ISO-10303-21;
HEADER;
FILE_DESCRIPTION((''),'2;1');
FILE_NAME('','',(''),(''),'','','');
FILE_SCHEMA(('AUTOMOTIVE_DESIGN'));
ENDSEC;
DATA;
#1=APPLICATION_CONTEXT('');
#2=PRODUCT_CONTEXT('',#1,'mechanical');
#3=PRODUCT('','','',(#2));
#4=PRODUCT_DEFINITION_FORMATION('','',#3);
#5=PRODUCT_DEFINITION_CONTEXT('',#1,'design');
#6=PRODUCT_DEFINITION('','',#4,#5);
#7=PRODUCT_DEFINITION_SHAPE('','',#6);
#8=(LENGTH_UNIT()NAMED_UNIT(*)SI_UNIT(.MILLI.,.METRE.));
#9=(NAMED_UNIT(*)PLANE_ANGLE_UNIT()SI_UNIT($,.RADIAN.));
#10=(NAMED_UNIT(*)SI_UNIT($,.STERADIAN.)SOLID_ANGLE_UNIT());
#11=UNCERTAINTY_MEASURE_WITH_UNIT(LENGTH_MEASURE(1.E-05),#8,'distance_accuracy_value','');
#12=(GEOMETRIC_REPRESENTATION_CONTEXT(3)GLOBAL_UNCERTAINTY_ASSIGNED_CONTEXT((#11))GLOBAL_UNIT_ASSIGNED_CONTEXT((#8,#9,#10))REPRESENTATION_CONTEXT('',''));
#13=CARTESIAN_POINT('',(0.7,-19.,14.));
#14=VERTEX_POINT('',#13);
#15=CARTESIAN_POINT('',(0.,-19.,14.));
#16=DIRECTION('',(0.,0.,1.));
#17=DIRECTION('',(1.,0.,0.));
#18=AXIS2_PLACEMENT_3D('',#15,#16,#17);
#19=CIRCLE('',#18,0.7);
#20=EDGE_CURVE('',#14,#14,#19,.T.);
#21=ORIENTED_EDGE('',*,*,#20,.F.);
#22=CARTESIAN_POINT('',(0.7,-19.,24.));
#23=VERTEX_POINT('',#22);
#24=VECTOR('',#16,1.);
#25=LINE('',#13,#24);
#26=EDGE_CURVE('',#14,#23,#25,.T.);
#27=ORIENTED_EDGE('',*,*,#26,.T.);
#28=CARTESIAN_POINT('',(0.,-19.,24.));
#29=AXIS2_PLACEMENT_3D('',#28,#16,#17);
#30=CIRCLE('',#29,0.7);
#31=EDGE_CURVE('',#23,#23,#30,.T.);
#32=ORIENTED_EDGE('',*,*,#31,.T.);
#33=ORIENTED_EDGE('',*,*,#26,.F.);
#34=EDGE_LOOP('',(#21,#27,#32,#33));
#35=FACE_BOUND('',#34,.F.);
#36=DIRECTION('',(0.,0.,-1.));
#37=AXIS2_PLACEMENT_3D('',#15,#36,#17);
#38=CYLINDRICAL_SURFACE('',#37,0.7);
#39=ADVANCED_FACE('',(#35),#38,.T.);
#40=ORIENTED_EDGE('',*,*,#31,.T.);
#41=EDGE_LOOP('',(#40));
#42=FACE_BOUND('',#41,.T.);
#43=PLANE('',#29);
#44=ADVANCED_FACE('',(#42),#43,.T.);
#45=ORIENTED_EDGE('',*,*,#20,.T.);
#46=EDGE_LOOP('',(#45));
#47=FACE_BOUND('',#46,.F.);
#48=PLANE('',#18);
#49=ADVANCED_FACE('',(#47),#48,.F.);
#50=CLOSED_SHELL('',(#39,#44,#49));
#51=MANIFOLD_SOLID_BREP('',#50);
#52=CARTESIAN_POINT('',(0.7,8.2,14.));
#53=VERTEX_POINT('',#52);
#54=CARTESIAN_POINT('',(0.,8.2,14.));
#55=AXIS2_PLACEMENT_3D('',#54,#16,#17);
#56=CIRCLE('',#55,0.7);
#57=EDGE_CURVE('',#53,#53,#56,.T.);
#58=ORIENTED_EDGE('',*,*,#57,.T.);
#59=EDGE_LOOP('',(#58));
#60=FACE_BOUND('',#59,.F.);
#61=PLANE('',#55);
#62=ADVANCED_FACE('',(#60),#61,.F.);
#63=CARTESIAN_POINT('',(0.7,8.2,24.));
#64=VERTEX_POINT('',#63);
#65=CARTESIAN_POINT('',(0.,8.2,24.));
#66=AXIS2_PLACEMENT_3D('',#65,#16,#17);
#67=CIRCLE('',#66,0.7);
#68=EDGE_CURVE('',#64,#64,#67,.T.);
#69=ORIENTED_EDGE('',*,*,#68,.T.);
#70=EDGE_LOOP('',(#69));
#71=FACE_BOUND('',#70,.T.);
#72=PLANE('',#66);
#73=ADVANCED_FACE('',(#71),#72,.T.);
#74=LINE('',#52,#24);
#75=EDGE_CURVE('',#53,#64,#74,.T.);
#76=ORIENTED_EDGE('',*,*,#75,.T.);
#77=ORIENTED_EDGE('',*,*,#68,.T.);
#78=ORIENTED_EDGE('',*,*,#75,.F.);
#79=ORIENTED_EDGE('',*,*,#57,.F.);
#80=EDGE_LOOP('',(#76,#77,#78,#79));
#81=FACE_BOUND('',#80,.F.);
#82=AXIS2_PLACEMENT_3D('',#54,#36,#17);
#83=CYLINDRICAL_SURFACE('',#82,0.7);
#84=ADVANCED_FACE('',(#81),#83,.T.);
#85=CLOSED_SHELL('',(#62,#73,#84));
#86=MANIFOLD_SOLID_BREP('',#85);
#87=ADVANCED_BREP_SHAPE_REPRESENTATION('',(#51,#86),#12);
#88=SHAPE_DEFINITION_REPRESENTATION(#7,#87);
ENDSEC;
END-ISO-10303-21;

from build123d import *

# Parameters (mm, degrees)
CYLINDER041_R     = 0.7
CYLINDER041_DEPTH = 10
CYLINDER040_R     = 0.7
CYLINDER040_DEPTH = 10


with BuildPart() as taladro014:
    # Cylinder041 → Cylinder041 (new body)
    with BuildSketch(Plane(origin=(0, 8.2, 14), x_dir=(1, 0, 0), z_dir=(0, 0, 1))):
        Circle(CYLINDER041_R)
    extrude(amount=CYLINDER041_DEPTH)


with BuildPart() as taladros_c:
    # Cylinder040 → Cylinder040 (new body)
    with BuildSketch(Plane(origin=(0, -19, 14), x_dir=(1, 0, 0), z_dir=(0, 0, 1))):
        Circle(CYLINDER040_R)
    extrude(amount=CYLINDER040_DEPTH)

    # Fusion019: union Taladro014
    add(taladro014.part)


solid = taladros_c.part
